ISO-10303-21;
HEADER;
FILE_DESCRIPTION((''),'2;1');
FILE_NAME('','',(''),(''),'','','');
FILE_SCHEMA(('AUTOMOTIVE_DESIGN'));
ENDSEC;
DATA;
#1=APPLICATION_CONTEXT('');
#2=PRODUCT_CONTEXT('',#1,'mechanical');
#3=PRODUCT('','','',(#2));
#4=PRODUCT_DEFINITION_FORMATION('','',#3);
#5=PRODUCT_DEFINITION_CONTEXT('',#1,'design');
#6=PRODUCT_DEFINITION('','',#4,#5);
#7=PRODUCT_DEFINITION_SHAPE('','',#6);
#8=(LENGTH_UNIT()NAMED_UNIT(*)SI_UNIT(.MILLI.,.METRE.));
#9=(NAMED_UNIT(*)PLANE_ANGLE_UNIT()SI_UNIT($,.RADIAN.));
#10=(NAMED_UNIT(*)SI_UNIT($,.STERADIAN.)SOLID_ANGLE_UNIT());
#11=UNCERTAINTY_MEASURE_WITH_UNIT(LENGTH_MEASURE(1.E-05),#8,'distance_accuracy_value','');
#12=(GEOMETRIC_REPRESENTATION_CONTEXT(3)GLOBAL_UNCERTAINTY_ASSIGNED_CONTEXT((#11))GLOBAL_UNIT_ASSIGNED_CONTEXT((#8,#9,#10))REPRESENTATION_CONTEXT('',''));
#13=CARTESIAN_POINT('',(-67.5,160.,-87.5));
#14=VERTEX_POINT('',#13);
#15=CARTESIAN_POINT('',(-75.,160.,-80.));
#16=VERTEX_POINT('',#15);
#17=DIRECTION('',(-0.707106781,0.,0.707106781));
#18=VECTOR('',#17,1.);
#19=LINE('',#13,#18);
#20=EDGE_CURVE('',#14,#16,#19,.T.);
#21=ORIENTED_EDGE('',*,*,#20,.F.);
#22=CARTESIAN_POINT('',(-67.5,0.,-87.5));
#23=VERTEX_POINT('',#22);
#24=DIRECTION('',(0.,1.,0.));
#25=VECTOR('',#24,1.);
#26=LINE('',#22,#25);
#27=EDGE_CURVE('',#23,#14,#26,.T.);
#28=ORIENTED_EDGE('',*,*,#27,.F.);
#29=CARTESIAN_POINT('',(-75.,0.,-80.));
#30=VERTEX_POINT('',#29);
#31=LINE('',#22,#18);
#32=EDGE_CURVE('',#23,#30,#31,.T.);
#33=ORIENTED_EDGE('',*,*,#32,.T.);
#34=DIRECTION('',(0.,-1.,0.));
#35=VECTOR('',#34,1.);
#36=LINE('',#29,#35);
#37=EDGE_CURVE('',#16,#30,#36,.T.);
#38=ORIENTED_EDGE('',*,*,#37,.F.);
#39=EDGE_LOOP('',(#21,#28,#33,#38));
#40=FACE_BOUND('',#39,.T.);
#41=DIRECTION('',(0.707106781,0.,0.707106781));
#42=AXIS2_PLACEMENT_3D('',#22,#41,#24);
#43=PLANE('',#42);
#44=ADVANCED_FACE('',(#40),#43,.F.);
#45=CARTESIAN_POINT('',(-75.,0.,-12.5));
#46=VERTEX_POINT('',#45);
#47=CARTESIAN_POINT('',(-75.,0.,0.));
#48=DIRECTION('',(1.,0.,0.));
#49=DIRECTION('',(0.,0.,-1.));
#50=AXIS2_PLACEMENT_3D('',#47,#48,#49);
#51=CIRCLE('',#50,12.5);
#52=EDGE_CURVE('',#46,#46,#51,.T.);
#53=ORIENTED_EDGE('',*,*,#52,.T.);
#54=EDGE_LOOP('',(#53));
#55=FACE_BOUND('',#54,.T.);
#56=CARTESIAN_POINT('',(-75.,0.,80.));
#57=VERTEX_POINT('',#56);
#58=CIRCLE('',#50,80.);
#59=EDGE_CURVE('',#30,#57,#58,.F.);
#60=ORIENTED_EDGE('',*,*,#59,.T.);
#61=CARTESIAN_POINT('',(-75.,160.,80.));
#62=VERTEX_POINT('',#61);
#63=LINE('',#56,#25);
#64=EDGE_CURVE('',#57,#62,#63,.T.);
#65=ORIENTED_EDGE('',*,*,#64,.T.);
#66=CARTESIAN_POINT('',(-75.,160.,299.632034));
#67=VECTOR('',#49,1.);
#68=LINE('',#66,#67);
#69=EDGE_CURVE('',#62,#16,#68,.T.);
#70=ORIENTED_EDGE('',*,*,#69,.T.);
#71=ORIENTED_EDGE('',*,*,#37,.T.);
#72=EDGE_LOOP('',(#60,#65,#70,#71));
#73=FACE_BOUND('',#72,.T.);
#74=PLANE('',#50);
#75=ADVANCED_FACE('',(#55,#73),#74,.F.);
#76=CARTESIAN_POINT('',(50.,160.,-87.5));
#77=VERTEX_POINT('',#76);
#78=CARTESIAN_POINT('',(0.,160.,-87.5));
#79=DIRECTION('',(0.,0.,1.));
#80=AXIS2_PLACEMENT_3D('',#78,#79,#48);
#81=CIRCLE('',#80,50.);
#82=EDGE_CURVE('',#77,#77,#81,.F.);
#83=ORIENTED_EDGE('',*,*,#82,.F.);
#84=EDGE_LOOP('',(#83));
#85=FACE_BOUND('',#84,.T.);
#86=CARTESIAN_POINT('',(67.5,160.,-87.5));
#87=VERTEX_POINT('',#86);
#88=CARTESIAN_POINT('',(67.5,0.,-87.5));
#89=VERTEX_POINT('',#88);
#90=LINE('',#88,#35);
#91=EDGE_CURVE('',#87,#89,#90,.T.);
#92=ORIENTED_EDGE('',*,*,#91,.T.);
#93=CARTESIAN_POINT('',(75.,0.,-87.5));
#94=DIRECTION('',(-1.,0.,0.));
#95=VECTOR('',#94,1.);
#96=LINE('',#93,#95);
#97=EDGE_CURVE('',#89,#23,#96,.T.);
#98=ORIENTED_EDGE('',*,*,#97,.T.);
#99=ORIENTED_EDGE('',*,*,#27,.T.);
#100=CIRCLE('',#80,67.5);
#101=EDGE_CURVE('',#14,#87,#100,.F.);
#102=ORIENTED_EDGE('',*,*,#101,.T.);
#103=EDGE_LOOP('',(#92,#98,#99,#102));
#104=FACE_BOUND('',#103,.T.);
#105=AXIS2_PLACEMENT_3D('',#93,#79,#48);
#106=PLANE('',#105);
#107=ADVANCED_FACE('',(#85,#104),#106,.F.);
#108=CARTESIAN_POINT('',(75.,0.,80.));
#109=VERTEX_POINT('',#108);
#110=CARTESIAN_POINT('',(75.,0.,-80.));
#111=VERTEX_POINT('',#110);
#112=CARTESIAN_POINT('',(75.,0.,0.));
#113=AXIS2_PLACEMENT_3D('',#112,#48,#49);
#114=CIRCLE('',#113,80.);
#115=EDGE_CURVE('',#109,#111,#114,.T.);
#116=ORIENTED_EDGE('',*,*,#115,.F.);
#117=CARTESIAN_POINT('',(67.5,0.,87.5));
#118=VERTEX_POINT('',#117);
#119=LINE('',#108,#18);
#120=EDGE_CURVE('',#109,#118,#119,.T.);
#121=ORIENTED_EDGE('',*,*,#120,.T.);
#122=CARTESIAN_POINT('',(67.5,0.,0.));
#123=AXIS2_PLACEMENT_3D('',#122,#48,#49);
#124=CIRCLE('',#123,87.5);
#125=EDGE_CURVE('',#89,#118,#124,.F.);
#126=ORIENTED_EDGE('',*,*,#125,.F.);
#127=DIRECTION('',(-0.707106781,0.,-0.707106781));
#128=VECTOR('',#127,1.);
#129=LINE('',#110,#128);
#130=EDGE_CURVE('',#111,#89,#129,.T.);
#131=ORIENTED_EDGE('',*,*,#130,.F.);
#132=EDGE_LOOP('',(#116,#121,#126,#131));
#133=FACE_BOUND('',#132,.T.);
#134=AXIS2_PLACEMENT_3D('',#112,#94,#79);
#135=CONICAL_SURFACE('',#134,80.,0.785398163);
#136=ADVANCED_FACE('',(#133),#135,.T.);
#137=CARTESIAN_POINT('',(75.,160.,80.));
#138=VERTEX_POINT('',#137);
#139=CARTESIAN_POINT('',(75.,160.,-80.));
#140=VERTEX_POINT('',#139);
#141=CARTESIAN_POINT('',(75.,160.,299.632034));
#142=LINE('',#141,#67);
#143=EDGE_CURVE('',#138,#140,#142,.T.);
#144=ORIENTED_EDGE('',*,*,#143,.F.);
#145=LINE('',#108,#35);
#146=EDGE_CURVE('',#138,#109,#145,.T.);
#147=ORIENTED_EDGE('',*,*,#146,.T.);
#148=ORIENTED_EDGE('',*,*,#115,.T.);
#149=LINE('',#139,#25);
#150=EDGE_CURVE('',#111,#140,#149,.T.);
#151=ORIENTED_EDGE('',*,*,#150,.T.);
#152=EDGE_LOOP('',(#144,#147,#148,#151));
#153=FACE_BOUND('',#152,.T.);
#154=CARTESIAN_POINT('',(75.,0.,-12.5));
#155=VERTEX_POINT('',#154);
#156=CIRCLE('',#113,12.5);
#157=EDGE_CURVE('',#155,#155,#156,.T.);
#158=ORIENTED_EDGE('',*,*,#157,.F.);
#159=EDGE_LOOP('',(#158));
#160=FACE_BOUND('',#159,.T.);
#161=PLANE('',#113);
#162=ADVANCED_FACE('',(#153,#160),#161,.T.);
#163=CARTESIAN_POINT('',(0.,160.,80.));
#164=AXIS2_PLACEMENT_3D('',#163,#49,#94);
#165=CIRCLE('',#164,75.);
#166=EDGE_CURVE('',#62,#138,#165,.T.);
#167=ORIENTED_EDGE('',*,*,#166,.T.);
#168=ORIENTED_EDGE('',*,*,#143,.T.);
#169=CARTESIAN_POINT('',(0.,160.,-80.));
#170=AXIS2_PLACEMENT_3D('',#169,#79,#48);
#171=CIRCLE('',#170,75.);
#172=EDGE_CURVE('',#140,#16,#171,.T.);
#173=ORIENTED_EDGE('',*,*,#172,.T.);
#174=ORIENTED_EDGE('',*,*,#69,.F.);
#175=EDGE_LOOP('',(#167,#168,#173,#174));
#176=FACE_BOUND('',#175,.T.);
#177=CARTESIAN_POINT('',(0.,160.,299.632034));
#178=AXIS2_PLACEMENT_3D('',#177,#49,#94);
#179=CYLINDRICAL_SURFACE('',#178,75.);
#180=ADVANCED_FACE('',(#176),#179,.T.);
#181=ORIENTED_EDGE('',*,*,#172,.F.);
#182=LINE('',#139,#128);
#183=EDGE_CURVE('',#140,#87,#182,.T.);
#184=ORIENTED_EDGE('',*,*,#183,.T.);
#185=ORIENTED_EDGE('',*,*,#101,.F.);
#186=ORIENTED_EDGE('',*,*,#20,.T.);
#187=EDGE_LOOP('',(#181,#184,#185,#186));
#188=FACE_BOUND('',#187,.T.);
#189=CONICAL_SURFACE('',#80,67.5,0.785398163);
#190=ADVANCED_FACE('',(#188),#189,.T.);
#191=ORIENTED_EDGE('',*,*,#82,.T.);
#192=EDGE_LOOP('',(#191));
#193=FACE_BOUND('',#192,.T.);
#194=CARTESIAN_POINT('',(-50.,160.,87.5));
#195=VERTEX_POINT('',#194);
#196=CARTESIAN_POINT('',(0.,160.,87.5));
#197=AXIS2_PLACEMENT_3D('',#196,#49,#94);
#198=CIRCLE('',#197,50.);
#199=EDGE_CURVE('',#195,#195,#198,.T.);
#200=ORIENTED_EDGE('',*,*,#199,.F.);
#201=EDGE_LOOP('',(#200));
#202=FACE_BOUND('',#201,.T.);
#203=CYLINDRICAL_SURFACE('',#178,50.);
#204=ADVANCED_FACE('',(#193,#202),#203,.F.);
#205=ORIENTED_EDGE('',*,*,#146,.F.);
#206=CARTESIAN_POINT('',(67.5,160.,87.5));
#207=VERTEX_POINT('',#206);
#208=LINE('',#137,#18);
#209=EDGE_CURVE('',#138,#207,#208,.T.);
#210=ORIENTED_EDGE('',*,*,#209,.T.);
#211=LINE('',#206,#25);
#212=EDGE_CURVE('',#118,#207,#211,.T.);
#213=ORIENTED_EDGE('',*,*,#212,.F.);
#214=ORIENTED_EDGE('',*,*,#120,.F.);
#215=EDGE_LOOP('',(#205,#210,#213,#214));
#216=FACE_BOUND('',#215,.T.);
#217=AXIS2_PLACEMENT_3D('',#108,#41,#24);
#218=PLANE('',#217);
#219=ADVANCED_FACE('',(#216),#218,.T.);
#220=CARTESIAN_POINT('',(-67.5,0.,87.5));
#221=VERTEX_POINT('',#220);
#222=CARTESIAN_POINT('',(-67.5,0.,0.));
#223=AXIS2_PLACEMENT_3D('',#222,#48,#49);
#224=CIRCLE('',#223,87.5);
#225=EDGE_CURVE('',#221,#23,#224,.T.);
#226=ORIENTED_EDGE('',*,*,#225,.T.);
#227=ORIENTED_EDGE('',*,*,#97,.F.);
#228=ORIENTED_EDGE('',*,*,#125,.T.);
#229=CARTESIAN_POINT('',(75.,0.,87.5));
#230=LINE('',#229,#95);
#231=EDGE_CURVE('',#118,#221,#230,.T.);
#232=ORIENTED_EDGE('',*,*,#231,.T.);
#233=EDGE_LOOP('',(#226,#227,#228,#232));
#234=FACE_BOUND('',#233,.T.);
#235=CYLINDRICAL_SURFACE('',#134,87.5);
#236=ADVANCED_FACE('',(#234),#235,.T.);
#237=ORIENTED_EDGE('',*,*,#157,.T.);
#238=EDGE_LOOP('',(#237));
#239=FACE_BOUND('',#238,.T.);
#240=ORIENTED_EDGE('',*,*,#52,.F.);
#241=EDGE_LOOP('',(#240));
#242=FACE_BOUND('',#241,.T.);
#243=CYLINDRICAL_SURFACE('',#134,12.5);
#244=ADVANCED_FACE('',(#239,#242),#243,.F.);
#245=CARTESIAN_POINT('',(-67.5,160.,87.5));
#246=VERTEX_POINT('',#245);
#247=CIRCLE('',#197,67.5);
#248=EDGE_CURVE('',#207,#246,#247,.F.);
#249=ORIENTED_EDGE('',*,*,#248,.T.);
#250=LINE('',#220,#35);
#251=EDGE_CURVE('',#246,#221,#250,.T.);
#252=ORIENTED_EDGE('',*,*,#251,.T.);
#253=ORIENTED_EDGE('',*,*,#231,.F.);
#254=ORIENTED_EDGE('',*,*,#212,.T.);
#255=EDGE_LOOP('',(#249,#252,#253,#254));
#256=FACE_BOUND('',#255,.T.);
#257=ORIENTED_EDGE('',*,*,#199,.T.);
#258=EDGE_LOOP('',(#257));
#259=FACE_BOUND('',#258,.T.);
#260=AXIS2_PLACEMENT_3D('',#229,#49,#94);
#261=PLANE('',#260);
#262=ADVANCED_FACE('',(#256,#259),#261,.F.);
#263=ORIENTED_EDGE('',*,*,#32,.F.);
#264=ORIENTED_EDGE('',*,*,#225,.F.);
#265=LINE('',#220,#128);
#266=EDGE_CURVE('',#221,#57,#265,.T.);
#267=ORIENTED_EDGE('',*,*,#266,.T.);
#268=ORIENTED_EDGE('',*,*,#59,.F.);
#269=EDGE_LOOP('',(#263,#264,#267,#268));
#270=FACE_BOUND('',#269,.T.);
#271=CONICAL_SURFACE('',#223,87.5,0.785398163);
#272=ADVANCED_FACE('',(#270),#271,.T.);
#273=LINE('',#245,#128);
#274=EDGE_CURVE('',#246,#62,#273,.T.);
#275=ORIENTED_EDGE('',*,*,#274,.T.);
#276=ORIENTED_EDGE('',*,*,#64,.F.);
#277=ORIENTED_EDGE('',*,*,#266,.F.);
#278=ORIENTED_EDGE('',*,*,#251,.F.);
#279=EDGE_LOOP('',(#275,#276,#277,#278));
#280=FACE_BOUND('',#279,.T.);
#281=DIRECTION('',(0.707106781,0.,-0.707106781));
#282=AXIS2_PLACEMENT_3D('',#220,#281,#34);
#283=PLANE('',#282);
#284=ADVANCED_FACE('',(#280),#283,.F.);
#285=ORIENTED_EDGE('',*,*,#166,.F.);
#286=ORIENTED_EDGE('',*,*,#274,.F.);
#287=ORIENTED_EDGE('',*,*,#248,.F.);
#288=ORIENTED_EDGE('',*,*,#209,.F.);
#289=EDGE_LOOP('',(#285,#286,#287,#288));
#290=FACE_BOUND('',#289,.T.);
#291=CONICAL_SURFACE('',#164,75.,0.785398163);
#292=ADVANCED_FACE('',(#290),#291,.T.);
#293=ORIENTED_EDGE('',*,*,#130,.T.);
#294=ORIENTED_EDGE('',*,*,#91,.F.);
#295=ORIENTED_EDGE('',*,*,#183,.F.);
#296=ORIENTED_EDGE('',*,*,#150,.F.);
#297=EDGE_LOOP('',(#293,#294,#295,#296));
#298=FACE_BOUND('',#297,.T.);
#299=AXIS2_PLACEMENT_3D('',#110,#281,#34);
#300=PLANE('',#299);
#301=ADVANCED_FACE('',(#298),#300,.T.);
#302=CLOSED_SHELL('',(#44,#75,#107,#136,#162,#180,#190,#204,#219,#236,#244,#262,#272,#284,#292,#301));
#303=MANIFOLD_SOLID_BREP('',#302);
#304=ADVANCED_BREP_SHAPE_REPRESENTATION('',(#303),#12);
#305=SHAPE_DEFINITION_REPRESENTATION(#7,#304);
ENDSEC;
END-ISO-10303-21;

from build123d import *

# Parameters (mm, degrees)
SKETCH1_R                       = 12.5
BOSS_EXTRUDE1_DEPTH             = 75
BOSS_EXTRUDE2_REACH             = 161.315
SKETCH2_R                       = 50
BOSS_EXTRUDE2_DIRECTION_2_REACH = 161.315
CHAMFER1_SIZE                   = 7.5


with BuildPart() as part:
    # Sketch1 → Boss-Extrude1 (new, symmetric)
    with BuildSketch(Plane(origin=(0, 0, 0), x_dir=(0, 0, -1), z_dir=(1, 0, 0))):
        with BuildLine():
            Line((-87.5, 0), (-87.5, 110))
            Line((-87.5, 110), (87.5, 110))
            Line((87.5, 110), (87.5, 0))
            ThreePointArc((87.5, 0), (0, -87.5), (-87.5, 0))
        make_face()
        Circle(SKETCH1_R, mode=Mode.SUBTRACT)
    extrude(amount=BOSS_EXTRUDE1_DEPTH, both=True)

    # Boss-Extrude2: up to this face of the body (flat: up to its plane)
    boss_extrude2_end = Plane(part.part.faces().sort_by_distance((0, 55, 87.5))[0])
    # Sketch2 → Boss-Extrude2 (add, up to the picked face)
    with BuildSketch(Plane.XY, mode=Mode.PRIVATE) as boss_extrude2_sk1:
        with BuildLine():
            Line((-75, 160), (-75, 85))
            Line((-75, 85), (75, 85))
            Line((75, 85), (75, 160))
            ThreePointArc((75, 160), (0, 235), (-75, 160))
        make_face()
        with Locations(Location((0, 160, 0), (0, 0, 180))):
            Circle(SKETCH2_R, mode=Mode.SUBTRACT)
    boss_extrude2_tool1 = split(extrude(boss_extrude2_sk1.sketch, amount=BOSS_EXTRUDE2_REACH, mode=Mode.PRIVATE), bisect_by=boss_extrude2_end, keep=Keep.BOTH, mode=Mode.PRIVATE)
    add(boss_extrude2_tool1.solids().sort_by(Axis((-72.87868, 122.5, 0), (0, 0, 1)))[0])

    # Boss-Extrude2 direction 2: up to this face of the body (flat: up to its plane)
    boss_extrude2_direction_2_end = Plane(part.part.faces().sort_by_distance((0, 55, -87.5))[0])
    # Sketch2 → Boss-Extrude2 direction 2 (add, up to the picked face)
    with BuildSketch(Plane.XY, mode=Mode.PRIVATE) as boss_extrude2_direction_2_sk1:
        with BuildLine():
            Line((-75, 160), (-75, 85))
            Line((-75, 85), (75, 85))
            Line((75, 85), (75, 160))
            ThreePointArc((75, 160), (0, 235), (-75, 160))
        make_face()
        with Locations(Location((0, 160, 0), (0, 0, 180))):
            Circle(SKETCH2_R, mode=Mode.SUBTRACT)
    boss_extrude2_direction_2_tool1 = split(extrude(boss_extrude2_direction_2_sk1.sketch, amount=-BOSS_EXTRUDE2_DIRECTION_2_REACH, mode=Mode.PRIVATE), bisect_by=boss_extrude2_direction_2_end, keep=Keep.BOTH, mode=Mode.PRIVATE)
    add(boss_extrude2_direction_2_tool1.solids().sort_by(Axis((-72.87868, 122.5, 0), (0, 0, -1)))[0])

    # Chamfer1
    chamfer1_edges = [part.edges().sort_by_distance(p)[0] for p in [
        (75, 80, 87.5),
        (0, 235, -87.5),
        (0, 235, 87.5),
        (75, -87.5, 0),
        (-75, 80, 87.5),
        (-75, 80, -87.5),
        (-75, -87.5, 0),
        (75, 80, -87.5),
    ]]
    chamfer(chamfer1_edges, length=CHAMFER1_SIZE)


solid = part.part
